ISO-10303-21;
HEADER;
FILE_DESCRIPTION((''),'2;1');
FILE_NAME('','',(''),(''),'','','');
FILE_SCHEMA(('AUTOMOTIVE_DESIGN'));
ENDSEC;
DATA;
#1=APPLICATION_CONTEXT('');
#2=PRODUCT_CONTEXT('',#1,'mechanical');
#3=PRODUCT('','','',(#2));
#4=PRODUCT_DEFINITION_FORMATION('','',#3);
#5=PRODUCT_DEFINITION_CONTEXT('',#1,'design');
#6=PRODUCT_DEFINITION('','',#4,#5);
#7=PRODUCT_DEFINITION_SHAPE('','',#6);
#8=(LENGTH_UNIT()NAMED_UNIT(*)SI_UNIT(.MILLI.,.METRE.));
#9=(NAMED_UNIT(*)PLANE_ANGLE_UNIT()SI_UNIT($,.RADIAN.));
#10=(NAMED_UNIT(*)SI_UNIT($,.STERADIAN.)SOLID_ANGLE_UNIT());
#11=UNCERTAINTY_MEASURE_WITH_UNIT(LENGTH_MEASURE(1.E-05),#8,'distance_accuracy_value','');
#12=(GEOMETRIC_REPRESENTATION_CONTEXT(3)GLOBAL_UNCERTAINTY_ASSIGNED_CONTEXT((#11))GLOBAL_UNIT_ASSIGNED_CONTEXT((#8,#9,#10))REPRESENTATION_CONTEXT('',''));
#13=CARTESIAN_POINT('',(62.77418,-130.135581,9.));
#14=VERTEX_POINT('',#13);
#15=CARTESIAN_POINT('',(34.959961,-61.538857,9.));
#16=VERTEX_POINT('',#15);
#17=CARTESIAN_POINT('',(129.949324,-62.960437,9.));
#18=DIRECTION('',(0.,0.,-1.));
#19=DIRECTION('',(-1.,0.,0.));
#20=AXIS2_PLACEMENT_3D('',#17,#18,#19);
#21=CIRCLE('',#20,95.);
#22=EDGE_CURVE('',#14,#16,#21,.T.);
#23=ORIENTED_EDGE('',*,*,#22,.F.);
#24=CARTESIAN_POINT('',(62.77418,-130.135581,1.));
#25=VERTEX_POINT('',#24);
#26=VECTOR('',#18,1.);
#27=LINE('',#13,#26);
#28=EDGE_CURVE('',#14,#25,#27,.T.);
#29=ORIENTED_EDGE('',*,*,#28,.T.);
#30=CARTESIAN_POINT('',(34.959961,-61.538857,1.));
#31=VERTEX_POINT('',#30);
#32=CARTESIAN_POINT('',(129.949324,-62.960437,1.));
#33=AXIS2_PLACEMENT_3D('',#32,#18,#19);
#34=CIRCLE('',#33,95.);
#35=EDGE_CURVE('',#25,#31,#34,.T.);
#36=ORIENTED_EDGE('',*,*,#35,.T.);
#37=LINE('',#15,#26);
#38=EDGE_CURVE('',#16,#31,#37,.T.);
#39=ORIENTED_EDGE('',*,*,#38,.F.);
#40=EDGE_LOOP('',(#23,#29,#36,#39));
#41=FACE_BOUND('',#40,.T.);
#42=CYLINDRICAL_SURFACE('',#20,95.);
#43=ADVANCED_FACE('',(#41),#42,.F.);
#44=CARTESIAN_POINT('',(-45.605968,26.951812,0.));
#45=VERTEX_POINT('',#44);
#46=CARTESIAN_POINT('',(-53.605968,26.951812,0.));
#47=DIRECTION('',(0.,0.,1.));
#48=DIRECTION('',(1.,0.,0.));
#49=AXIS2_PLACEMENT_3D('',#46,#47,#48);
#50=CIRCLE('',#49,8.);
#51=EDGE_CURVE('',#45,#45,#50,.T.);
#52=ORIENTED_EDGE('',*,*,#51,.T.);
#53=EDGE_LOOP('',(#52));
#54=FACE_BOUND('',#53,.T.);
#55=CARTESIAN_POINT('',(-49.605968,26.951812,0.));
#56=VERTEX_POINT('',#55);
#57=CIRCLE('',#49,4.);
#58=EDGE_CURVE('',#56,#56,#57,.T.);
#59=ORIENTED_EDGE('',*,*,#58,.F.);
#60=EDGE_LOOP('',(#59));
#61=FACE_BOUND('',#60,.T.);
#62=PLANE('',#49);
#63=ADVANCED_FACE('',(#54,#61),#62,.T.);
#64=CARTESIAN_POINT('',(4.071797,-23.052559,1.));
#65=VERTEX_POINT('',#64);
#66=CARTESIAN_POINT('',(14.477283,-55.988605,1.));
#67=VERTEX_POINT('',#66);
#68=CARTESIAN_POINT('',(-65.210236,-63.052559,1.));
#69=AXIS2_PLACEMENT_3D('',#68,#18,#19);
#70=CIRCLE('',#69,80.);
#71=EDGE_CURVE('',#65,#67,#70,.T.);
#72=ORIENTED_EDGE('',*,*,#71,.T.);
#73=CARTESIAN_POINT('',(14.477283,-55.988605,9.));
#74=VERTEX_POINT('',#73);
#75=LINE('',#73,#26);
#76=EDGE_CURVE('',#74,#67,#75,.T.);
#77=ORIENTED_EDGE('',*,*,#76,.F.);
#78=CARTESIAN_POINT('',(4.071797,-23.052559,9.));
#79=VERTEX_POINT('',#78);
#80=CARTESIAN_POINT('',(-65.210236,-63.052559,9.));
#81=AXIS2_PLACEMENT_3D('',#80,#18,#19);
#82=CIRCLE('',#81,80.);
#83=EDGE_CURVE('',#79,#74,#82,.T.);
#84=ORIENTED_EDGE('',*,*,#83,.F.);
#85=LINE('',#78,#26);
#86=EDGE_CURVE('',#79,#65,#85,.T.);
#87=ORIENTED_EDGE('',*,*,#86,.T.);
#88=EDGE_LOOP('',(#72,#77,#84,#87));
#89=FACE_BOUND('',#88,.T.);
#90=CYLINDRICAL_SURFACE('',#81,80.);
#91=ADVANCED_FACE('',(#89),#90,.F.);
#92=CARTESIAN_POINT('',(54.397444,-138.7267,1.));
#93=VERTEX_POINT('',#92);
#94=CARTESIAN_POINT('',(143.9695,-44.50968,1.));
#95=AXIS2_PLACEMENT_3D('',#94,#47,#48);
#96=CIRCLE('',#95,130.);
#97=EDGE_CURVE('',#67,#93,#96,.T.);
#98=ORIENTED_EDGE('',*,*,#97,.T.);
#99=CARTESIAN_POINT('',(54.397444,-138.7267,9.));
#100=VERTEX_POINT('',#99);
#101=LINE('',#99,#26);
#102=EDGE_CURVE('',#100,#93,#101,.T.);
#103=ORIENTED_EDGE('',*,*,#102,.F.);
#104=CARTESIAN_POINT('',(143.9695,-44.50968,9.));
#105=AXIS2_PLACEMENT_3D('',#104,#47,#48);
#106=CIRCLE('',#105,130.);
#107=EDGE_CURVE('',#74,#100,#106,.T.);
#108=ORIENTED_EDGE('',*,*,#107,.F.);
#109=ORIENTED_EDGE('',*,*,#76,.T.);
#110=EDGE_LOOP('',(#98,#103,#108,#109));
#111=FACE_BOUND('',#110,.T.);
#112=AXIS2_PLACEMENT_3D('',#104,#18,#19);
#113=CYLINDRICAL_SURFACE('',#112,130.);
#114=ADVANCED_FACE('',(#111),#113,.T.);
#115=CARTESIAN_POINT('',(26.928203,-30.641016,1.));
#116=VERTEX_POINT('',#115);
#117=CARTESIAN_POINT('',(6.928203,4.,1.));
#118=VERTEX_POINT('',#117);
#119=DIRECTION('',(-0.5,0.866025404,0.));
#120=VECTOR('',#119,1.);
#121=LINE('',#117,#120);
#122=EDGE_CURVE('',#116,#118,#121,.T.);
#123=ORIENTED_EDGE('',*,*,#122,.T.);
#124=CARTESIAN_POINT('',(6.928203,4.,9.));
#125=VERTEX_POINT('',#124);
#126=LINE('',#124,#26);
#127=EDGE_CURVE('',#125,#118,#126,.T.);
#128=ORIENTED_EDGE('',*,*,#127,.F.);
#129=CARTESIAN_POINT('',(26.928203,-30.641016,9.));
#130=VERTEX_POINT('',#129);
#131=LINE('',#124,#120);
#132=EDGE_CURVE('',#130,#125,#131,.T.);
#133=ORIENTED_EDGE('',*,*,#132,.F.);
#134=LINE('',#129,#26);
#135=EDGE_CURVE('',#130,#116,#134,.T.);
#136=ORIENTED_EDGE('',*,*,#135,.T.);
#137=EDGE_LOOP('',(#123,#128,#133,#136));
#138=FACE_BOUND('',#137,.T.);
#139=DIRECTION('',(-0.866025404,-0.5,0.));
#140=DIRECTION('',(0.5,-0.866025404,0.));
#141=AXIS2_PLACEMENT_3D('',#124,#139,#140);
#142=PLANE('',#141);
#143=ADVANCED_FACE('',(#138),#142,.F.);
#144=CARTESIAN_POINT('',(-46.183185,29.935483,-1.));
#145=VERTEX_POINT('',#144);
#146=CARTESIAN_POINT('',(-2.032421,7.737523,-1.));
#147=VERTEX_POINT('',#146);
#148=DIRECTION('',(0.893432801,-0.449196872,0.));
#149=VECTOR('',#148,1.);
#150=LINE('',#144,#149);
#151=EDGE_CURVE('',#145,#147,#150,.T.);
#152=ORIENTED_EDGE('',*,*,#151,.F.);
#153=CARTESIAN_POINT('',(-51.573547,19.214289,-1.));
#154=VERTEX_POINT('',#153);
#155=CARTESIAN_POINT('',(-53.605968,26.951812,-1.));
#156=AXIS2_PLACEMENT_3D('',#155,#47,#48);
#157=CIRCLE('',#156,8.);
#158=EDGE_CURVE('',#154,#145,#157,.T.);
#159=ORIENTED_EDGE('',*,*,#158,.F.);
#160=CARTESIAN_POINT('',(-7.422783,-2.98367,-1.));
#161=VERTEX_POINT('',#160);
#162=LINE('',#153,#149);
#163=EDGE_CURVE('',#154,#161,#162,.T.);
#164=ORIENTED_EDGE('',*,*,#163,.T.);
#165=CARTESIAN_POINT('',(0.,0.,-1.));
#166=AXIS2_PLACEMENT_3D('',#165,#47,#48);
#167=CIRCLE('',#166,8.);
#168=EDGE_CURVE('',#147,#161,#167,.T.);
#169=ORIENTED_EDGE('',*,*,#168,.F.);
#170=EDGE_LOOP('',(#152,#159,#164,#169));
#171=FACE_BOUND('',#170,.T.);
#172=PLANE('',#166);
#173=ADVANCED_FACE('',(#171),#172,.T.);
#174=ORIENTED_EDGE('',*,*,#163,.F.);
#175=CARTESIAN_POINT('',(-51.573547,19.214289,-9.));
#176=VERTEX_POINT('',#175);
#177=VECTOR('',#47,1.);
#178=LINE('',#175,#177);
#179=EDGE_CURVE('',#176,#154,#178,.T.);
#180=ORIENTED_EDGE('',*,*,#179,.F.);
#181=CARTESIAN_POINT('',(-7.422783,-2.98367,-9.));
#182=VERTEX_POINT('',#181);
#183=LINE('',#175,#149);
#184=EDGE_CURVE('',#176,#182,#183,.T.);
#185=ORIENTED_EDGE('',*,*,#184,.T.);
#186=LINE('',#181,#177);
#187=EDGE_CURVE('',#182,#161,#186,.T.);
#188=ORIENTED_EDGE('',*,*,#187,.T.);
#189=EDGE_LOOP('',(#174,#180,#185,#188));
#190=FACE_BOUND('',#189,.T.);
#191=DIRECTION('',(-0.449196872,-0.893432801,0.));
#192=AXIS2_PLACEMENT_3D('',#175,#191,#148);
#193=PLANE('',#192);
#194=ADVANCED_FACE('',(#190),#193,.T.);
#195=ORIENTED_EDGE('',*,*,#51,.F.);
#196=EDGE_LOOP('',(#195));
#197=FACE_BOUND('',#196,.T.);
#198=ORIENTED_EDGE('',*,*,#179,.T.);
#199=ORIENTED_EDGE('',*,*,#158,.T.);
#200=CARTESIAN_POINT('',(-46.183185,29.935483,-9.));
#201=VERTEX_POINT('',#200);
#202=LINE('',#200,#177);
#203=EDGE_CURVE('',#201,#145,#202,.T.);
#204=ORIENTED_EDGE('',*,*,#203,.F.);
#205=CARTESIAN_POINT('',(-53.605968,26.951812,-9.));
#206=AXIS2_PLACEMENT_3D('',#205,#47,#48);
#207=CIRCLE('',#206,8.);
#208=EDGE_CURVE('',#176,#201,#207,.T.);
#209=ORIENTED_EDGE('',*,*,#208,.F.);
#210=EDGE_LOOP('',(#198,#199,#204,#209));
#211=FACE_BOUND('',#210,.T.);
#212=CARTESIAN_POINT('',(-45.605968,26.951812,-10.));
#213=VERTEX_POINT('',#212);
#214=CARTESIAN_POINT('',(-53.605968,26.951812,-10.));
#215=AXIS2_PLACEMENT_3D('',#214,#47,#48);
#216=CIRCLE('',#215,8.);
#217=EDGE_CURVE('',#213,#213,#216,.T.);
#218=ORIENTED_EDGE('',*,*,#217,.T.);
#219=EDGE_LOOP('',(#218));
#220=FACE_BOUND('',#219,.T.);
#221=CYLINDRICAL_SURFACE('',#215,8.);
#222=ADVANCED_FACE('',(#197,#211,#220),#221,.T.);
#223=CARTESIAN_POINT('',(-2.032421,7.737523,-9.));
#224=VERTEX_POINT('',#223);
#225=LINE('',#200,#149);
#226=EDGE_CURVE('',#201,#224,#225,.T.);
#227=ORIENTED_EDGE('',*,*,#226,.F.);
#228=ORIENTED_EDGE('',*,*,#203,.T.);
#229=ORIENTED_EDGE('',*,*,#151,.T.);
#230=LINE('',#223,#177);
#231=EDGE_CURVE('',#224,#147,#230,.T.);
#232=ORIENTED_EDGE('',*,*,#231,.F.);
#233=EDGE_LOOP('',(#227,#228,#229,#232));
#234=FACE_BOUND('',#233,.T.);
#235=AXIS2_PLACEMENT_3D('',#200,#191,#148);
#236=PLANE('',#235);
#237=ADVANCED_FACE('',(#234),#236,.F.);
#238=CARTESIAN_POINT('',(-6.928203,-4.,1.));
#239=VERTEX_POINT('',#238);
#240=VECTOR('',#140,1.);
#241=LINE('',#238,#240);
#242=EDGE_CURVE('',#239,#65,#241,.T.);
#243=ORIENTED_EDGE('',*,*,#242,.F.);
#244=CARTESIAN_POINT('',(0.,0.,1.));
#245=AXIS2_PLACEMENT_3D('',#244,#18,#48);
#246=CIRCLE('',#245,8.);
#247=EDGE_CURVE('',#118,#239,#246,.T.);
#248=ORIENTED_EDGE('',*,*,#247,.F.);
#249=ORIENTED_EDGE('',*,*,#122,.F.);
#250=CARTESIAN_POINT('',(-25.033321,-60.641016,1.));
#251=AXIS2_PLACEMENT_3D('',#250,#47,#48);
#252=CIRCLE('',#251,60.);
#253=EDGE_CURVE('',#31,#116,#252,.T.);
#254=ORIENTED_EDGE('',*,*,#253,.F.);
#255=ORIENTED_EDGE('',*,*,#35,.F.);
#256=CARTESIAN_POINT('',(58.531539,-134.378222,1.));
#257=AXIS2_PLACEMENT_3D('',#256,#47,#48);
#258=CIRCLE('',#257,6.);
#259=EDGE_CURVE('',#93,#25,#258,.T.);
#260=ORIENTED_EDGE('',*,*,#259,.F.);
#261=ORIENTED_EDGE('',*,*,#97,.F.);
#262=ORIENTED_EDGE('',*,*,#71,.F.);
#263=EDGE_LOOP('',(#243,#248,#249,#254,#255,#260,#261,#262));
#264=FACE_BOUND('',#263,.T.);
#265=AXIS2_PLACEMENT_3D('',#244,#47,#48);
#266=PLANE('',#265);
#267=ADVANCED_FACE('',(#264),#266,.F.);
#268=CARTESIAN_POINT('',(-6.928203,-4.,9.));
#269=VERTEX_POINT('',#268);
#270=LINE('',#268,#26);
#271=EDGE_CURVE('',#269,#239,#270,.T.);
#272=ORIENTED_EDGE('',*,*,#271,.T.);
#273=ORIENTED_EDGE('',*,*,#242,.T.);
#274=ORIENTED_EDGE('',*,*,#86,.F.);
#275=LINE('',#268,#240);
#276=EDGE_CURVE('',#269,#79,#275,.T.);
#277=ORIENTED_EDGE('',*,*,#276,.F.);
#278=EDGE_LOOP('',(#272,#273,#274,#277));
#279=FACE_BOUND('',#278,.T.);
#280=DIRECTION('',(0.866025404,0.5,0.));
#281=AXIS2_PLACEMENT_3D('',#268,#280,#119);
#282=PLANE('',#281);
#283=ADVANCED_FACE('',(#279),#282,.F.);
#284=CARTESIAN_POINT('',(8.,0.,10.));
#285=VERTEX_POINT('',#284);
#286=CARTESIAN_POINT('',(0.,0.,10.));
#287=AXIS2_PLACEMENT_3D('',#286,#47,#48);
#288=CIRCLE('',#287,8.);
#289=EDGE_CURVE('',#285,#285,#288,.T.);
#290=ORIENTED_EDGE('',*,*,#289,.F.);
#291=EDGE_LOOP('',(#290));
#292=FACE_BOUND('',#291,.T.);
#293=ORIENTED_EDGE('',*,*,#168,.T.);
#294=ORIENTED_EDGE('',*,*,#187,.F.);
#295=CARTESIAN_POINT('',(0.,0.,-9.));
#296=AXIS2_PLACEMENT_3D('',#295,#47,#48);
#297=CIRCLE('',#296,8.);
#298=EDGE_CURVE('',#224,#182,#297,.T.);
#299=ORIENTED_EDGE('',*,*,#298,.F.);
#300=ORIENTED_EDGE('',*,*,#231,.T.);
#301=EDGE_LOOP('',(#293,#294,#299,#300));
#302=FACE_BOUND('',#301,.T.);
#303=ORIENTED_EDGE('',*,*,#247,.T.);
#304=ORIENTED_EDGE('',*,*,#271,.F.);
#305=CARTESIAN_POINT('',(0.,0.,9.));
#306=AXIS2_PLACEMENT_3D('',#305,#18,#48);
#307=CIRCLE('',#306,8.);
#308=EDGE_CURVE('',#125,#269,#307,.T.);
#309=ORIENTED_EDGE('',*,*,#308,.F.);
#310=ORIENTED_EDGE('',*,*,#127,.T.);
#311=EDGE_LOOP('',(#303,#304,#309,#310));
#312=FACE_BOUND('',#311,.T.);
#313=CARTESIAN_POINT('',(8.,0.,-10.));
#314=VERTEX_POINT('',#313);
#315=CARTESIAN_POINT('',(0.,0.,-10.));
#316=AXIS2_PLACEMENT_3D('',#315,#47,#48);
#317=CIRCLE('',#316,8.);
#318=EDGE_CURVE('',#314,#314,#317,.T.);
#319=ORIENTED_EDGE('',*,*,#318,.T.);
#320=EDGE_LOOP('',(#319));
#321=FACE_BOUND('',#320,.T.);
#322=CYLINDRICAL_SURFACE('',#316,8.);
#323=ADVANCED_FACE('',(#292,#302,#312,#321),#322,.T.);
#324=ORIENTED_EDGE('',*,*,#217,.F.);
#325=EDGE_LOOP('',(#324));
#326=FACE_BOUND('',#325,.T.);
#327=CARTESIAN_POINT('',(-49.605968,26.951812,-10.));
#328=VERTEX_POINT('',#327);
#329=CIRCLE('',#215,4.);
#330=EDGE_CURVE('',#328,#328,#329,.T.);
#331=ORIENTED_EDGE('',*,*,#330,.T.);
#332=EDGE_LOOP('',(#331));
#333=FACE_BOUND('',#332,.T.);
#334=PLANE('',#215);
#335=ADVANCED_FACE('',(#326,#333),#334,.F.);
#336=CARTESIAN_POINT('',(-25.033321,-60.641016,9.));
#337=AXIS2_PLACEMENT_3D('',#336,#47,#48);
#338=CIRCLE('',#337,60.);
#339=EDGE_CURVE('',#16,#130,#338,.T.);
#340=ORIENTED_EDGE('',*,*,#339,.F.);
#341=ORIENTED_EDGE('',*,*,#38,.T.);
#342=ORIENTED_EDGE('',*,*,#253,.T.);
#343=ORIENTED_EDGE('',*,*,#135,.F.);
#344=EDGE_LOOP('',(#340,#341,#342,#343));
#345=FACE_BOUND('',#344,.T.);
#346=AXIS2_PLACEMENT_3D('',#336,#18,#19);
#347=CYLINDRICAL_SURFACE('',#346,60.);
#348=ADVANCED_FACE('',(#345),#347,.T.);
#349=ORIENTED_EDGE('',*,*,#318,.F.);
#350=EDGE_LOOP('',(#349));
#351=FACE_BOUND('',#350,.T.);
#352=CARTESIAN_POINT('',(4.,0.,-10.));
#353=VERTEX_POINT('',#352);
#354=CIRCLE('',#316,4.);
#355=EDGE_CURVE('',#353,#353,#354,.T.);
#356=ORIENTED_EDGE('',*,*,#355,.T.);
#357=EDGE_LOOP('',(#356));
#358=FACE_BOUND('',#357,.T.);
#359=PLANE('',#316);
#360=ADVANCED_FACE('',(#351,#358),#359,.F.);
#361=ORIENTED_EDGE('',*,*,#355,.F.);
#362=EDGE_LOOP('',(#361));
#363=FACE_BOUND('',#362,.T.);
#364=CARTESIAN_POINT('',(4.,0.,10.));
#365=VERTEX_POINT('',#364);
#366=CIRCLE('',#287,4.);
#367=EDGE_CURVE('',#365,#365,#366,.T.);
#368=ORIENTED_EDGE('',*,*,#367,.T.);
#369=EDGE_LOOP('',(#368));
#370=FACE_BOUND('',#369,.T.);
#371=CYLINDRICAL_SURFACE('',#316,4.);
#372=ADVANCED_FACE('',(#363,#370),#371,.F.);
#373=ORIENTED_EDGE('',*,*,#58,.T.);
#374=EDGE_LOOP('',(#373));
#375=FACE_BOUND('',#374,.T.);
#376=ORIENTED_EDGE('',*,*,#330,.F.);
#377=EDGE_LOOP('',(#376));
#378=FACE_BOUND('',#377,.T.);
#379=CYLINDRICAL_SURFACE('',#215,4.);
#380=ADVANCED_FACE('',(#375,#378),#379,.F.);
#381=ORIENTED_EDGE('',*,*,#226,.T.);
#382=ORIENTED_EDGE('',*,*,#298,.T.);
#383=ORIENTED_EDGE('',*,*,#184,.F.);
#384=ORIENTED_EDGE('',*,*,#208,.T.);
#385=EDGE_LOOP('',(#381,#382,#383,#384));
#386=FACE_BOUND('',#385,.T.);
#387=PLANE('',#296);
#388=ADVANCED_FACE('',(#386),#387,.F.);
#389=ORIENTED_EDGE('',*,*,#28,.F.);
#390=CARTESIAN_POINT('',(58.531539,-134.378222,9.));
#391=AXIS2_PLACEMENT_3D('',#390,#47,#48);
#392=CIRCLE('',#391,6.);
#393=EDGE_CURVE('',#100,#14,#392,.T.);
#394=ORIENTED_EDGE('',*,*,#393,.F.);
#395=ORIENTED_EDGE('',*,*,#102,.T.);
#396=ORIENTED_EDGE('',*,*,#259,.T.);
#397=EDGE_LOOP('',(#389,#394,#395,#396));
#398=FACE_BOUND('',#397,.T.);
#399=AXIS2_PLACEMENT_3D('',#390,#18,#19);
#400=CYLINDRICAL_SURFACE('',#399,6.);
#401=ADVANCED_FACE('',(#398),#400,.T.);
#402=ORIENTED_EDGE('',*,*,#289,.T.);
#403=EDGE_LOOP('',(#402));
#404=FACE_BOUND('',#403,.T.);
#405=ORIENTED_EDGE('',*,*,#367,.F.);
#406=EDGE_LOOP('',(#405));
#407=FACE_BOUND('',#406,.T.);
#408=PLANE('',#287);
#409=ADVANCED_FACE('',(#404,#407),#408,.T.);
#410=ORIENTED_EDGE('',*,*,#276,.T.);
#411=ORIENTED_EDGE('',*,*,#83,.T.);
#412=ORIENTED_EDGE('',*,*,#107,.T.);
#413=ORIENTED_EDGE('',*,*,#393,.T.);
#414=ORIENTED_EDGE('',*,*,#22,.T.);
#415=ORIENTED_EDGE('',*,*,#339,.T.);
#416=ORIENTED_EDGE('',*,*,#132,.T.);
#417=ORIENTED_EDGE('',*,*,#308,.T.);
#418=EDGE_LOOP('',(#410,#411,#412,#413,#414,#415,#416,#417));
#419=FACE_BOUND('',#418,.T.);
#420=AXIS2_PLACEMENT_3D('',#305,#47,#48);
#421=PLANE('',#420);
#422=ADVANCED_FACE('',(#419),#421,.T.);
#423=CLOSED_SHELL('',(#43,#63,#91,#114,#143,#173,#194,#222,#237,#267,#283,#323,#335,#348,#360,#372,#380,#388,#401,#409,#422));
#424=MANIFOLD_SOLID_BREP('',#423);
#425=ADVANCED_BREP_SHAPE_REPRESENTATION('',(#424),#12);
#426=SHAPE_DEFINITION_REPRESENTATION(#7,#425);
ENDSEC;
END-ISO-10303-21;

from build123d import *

# Parameters (mm, degrees)
SKETCH_1_R        = 8
SKETCH_1_R_2      = 4
EXTRUDE_1_DEPTH   = 10
EXTRUDE_1_2_DEPTH = 10
EXTRUDE_START     = -1
EXTRUDE_2_DEPTH   = 8
EXTRUDE_START_2   = 1
EXTRUDE_3_DEPTH   = 8
SKETCH_5_R        = 8
SKETCH_5_R_2      = 4
EXTRUDE_4_DEPTH   = 10


with BuildPart() as part:
    # 草图1 → 凸台-拉伸1 (new body)
    with BuildSketch(Plane.XY):
        Circle(SKETCH_1_R)
        Circle(SKETCH_1_R_2, mode=Mode.SUBTRACT)
    extrude(amount=-EXTRUDE_1_DEPTH)



with BuildPart() as body_2:
    # 草图1 → Extrude 1 2 (new body)
    with BuildSketch(Plane.XY):
        with Locations((-53.605968084, 26.951812291)):
            Circle(SKETCH_1_R)
        with Locations((-53.605968084, 26.951812291)):
            Circle(SKETCH_1_R_2, mode=Mode.SUBTRACT)
    extrude(amount=-EXTRUDE_1_2_DEPTH)


with BuildPart() as part_1:
    add(part.part)

    add(body_2.part)  # 凸台-拉伸2 merges body 2
    # 草图3 → 凸台-拉伸2 (add)
    with BuildSketch(Plane.XY.offset(EXTRUDE_START)):
        with BuildLine():
            Line((-51.573547302, 19.214289059), (-7.42278324, -2.983670385))
            ThreePointArc((-7.42278324, -2.983670385), (-7.147462411, 3.593574972), (-2.032420782, 7.737523232))
            Line((-2.032420782, 7.737523232), (-46.183184844, 29.935482676))
            ThreePointArc((-46.183184844, 29.935482676), (-46.458505673, 23.358237319), (-51.573547302, 19.214289059))
        make_face()
    extrude(amount=-EXTRUDE_2_DEPTH)



with BuildPart() as body_2_2:
    # 草图4 → 凸台-拉伸3 (new body)
    with BuildSketch(Plane.XY.offset(EXTRUDE_START_2)):
        with BuildLine():
            Line((6.92820323, 4), (26.92820323, -30.641016151))
            ThreePointArc((26.92820323, -30.641016151), (33.036798625, -45.545943872), (34.959960983, -61.538856509))
            ThreePointArc((34.959960983, -61.538856509), (41.911210079, -98.657642521), (62.774179905, -130.135581289))
            ThreePointArc((62.774179905, -130.135581289), (62.827441336, -138.566924041), (54.397444356, -138.726699833))
            ThreePointArc((54.397444356, -138.726699833), (26.885397662, -101.001387411), (14.477282647, -55.988604867))
            ThreePointArc((14.477282647, -55.988604867), (11.073298234, -38.952300047), (4.07179677, -23.052558883))
            Line((4.07179677, -23.052558883), (-6.92820323, -4))
            ThreePointArc((-6.92820323, -4), (4, -6.92820323), (6.92820323, 4))
        make_face()
    extrude(amount=EXTRUDE_3_DEPTH)


with BuildPart() as part_2:
    add(part_1.part)

    add(body_2_2.part)  # 凸台-拉伸4 merges body 2 2
    # 草图5 → 凸台-拉伸4 (add)
    with BuildSketch(Plane.XY):
        Circle(SKETCH_5_R)
        Circle(SKETCH_5_R_2, mode=Mode.SUBTRACT)
    extrude(amount=EXTRUDE_4_DEPTH)


solid = part_2.part
